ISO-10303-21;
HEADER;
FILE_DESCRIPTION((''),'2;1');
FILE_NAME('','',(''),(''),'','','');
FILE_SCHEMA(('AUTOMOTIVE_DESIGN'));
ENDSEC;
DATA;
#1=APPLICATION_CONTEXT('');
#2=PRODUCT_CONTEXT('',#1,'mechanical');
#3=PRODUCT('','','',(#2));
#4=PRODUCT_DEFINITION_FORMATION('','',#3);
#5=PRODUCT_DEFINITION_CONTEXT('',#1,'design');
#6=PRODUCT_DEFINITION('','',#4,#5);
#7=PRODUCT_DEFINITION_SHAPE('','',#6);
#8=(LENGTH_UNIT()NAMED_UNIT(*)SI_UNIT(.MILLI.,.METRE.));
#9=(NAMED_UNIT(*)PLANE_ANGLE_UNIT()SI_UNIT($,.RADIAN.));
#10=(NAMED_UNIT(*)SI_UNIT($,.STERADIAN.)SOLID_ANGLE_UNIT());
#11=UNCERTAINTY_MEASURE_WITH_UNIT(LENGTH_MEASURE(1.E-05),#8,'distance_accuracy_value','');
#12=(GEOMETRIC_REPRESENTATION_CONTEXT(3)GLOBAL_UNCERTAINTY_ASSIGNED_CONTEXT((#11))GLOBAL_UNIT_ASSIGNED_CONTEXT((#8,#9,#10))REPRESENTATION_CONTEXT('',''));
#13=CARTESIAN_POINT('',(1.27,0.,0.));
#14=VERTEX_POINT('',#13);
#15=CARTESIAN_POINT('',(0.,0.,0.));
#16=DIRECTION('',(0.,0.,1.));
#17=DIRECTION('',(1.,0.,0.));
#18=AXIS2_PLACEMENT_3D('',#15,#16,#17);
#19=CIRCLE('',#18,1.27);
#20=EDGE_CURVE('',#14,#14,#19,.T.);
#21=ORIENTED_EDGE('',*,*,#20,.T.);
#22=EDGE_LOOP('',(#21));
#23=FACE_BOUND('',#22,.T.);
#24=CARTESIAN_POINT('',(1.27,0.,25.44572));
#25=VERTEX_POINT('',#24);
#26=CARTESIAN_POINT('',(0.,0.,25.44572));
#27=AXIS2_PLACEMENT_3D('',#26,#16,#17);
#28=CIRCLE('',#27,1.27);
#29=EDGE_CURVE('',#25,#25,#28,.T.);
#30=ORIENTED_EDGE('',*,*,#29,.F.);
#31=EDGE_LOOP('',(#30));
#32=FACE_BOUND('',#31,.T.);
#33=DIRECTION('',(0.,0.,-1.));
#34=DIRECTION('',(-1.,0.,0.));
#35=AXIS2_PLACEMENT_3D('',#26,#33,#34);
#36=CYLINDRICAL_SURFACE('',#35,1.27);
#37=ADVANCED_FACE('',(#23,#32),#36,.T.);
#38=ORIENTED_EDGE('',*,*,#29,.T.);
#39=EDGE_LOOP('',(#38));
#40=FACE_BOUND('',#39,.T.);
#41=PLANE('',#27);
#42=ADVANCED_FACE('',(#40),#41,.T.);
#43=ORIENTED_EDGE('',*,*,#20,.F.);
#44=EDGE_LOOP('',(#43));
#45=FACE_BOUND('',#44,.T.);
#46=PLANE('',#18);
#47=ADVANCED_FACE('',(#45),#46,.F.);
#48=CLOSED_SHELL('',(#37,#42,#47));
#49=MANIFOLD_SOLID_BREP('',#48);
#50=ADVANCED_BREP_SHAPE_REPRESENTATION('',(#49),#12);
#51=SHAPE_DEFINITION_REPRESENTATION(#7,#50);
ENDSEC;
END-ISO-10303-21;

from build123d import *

# Parameters (mm, degrees)
SKETCH1_R      = 1.27
EXTRUDE1_DEPTH = 25.44572


with BuildPart() as part:
    # Sketch1 → Extrude1 (new body)
    with BuildSketch(Plane.XY):
        Circle(SKETCH1_R)
    extrude(amount=EXTRUDE1_DEPTH)


solid = part.part
